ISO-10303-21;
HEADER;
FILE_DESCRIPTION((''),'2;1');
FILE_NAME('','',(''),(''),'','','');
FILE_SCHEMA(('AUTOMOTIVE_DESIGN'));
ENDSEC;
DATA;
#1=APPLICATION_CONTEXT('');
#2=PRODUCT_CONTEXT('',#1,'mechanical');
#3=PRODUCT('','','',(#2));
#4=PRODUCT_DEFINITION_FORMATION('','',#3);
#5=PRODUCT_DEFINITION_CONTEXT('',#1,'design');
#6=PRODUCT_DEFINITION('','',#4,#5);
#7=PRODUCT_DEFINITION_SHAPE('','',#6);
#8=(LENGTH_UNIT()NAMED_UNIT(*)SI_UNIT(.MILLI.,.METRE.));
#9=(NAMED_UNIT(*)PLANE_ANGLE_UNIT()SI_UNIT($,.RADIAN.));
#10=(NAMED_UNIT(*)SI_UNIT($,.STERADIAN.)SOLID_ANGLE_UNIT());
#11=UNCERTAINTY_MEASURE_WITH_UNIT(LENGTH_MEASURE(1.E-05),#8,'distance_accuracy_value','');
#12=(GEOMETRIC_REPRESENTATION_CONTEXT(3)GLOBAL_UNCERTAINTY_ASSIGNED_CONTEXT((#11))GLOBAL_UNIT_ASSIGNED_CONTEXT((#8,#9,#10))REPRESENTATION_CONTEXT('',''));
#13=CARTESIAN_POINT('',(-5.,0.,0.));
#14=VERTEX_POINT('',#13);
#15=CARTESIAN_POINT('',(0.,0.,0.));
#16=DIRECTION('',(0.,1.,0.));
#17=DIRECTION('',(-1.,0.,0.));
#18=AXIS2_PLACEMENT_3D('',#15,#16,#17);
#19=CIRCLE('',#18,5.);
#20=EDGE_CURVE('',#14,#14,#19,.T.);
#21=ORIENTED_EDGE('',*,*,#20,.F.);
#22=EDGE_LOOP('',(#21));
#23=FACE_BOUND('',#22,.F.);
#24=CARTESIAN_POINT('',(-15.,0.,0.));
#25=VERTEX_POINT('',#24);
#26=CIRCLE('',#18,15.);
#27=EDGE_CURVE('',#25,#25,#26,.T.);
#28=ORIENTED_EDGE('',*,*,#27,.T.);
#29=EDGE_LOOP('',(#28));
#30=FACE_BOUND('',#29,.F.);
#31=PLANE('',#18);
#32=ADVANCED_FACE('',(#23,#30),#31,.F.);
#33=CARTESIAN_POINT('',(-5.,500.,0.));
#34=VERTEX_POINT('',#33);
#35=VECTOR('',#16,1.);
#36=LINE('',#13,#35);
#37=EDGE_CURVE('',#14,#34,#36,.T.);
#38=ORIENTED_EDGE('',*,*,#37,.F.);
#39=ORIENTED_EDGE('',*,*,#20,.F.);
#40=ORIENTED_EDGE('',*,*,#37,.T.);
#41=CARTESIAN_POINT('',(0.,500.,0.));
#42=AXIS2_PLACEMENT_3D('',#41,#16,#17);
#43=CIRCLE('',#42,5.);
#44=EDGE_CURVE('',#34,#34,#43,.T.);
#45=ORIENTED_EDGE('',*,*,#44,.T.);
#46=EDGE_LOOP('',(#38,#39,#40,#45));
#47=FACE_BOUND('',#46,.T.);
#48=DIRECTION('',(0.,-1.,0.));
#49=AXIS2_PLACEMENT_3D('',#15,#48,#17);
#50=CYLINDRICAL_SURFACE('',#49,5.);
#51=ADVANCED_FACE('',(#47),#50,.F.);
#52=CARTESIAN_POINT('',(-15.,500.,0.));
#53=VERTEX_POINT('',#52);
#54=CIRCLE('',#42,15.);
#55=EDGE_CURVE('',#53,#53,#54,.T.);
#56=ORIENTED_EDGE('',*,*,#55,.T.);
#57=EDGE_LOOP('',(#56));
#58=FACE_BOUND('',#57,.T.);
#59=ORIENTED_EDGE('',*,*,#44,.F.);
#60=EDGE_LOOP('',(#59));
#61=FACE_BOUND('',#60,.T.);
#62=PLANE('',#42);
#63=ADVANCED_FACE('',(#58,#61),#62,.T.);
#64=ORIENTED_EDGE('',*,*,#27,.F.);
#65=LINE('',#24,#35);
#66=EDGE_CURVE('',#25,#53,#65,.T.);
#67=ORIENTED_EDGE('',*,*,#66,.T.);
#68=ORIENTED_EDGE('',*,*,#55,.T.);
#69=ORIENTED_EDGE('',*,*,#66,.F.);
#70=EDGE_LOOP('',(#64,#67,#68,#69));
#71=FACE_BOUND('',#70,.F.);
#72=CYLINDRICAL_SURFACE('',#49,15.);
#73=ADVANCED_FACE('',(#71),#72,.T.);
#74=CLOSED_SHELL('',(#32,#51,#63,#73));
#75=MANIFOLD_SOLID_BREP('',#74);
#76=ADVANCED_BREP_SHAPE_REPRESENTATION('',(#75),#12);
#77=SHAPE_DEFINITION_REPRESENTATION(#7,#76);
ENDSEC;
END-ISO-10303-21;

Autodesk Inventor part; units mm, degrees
ref_plane "YZ Plane" through (0, 0, 0) normal (1, 0, 0) x (0, 1, 0)
ref_plane "XZ Plane" through (0, 0, 0) normal (0, 1, 0) x (-1, 0, 0)
ref_plane "XY Plane" through (0, 0, 0) normal (0, 0, 1) x (1, 0, 0)
sketch "草圖1" plane through (0, 0, 0) normal (0, 1, 0) x (-1, 0, 0)
  circle A0 centre (0, 0) radius 5
  circle A1 centre (0, 0) radius 15
  dimension "d0" = 10
  dimension "d1" = 30
extrude "擠出1" add sketch "草圖1" along normal blind 500
sketch3d "3D 草圖1"
sketch3d "3D 草圖2"
sketch3d "3D 草圖3"
sketch3d "3D 草圖5"
sketch3d "3D 草圖6"
sketch3d "3D 草圖7"
ref_plane "工作平面2" through (43.768, 465.3652, -63.5362) normal (-0.8064, 0.1825, -0.5625) x (-0.2208, -0.9753, 0)
properties part number "cir"
